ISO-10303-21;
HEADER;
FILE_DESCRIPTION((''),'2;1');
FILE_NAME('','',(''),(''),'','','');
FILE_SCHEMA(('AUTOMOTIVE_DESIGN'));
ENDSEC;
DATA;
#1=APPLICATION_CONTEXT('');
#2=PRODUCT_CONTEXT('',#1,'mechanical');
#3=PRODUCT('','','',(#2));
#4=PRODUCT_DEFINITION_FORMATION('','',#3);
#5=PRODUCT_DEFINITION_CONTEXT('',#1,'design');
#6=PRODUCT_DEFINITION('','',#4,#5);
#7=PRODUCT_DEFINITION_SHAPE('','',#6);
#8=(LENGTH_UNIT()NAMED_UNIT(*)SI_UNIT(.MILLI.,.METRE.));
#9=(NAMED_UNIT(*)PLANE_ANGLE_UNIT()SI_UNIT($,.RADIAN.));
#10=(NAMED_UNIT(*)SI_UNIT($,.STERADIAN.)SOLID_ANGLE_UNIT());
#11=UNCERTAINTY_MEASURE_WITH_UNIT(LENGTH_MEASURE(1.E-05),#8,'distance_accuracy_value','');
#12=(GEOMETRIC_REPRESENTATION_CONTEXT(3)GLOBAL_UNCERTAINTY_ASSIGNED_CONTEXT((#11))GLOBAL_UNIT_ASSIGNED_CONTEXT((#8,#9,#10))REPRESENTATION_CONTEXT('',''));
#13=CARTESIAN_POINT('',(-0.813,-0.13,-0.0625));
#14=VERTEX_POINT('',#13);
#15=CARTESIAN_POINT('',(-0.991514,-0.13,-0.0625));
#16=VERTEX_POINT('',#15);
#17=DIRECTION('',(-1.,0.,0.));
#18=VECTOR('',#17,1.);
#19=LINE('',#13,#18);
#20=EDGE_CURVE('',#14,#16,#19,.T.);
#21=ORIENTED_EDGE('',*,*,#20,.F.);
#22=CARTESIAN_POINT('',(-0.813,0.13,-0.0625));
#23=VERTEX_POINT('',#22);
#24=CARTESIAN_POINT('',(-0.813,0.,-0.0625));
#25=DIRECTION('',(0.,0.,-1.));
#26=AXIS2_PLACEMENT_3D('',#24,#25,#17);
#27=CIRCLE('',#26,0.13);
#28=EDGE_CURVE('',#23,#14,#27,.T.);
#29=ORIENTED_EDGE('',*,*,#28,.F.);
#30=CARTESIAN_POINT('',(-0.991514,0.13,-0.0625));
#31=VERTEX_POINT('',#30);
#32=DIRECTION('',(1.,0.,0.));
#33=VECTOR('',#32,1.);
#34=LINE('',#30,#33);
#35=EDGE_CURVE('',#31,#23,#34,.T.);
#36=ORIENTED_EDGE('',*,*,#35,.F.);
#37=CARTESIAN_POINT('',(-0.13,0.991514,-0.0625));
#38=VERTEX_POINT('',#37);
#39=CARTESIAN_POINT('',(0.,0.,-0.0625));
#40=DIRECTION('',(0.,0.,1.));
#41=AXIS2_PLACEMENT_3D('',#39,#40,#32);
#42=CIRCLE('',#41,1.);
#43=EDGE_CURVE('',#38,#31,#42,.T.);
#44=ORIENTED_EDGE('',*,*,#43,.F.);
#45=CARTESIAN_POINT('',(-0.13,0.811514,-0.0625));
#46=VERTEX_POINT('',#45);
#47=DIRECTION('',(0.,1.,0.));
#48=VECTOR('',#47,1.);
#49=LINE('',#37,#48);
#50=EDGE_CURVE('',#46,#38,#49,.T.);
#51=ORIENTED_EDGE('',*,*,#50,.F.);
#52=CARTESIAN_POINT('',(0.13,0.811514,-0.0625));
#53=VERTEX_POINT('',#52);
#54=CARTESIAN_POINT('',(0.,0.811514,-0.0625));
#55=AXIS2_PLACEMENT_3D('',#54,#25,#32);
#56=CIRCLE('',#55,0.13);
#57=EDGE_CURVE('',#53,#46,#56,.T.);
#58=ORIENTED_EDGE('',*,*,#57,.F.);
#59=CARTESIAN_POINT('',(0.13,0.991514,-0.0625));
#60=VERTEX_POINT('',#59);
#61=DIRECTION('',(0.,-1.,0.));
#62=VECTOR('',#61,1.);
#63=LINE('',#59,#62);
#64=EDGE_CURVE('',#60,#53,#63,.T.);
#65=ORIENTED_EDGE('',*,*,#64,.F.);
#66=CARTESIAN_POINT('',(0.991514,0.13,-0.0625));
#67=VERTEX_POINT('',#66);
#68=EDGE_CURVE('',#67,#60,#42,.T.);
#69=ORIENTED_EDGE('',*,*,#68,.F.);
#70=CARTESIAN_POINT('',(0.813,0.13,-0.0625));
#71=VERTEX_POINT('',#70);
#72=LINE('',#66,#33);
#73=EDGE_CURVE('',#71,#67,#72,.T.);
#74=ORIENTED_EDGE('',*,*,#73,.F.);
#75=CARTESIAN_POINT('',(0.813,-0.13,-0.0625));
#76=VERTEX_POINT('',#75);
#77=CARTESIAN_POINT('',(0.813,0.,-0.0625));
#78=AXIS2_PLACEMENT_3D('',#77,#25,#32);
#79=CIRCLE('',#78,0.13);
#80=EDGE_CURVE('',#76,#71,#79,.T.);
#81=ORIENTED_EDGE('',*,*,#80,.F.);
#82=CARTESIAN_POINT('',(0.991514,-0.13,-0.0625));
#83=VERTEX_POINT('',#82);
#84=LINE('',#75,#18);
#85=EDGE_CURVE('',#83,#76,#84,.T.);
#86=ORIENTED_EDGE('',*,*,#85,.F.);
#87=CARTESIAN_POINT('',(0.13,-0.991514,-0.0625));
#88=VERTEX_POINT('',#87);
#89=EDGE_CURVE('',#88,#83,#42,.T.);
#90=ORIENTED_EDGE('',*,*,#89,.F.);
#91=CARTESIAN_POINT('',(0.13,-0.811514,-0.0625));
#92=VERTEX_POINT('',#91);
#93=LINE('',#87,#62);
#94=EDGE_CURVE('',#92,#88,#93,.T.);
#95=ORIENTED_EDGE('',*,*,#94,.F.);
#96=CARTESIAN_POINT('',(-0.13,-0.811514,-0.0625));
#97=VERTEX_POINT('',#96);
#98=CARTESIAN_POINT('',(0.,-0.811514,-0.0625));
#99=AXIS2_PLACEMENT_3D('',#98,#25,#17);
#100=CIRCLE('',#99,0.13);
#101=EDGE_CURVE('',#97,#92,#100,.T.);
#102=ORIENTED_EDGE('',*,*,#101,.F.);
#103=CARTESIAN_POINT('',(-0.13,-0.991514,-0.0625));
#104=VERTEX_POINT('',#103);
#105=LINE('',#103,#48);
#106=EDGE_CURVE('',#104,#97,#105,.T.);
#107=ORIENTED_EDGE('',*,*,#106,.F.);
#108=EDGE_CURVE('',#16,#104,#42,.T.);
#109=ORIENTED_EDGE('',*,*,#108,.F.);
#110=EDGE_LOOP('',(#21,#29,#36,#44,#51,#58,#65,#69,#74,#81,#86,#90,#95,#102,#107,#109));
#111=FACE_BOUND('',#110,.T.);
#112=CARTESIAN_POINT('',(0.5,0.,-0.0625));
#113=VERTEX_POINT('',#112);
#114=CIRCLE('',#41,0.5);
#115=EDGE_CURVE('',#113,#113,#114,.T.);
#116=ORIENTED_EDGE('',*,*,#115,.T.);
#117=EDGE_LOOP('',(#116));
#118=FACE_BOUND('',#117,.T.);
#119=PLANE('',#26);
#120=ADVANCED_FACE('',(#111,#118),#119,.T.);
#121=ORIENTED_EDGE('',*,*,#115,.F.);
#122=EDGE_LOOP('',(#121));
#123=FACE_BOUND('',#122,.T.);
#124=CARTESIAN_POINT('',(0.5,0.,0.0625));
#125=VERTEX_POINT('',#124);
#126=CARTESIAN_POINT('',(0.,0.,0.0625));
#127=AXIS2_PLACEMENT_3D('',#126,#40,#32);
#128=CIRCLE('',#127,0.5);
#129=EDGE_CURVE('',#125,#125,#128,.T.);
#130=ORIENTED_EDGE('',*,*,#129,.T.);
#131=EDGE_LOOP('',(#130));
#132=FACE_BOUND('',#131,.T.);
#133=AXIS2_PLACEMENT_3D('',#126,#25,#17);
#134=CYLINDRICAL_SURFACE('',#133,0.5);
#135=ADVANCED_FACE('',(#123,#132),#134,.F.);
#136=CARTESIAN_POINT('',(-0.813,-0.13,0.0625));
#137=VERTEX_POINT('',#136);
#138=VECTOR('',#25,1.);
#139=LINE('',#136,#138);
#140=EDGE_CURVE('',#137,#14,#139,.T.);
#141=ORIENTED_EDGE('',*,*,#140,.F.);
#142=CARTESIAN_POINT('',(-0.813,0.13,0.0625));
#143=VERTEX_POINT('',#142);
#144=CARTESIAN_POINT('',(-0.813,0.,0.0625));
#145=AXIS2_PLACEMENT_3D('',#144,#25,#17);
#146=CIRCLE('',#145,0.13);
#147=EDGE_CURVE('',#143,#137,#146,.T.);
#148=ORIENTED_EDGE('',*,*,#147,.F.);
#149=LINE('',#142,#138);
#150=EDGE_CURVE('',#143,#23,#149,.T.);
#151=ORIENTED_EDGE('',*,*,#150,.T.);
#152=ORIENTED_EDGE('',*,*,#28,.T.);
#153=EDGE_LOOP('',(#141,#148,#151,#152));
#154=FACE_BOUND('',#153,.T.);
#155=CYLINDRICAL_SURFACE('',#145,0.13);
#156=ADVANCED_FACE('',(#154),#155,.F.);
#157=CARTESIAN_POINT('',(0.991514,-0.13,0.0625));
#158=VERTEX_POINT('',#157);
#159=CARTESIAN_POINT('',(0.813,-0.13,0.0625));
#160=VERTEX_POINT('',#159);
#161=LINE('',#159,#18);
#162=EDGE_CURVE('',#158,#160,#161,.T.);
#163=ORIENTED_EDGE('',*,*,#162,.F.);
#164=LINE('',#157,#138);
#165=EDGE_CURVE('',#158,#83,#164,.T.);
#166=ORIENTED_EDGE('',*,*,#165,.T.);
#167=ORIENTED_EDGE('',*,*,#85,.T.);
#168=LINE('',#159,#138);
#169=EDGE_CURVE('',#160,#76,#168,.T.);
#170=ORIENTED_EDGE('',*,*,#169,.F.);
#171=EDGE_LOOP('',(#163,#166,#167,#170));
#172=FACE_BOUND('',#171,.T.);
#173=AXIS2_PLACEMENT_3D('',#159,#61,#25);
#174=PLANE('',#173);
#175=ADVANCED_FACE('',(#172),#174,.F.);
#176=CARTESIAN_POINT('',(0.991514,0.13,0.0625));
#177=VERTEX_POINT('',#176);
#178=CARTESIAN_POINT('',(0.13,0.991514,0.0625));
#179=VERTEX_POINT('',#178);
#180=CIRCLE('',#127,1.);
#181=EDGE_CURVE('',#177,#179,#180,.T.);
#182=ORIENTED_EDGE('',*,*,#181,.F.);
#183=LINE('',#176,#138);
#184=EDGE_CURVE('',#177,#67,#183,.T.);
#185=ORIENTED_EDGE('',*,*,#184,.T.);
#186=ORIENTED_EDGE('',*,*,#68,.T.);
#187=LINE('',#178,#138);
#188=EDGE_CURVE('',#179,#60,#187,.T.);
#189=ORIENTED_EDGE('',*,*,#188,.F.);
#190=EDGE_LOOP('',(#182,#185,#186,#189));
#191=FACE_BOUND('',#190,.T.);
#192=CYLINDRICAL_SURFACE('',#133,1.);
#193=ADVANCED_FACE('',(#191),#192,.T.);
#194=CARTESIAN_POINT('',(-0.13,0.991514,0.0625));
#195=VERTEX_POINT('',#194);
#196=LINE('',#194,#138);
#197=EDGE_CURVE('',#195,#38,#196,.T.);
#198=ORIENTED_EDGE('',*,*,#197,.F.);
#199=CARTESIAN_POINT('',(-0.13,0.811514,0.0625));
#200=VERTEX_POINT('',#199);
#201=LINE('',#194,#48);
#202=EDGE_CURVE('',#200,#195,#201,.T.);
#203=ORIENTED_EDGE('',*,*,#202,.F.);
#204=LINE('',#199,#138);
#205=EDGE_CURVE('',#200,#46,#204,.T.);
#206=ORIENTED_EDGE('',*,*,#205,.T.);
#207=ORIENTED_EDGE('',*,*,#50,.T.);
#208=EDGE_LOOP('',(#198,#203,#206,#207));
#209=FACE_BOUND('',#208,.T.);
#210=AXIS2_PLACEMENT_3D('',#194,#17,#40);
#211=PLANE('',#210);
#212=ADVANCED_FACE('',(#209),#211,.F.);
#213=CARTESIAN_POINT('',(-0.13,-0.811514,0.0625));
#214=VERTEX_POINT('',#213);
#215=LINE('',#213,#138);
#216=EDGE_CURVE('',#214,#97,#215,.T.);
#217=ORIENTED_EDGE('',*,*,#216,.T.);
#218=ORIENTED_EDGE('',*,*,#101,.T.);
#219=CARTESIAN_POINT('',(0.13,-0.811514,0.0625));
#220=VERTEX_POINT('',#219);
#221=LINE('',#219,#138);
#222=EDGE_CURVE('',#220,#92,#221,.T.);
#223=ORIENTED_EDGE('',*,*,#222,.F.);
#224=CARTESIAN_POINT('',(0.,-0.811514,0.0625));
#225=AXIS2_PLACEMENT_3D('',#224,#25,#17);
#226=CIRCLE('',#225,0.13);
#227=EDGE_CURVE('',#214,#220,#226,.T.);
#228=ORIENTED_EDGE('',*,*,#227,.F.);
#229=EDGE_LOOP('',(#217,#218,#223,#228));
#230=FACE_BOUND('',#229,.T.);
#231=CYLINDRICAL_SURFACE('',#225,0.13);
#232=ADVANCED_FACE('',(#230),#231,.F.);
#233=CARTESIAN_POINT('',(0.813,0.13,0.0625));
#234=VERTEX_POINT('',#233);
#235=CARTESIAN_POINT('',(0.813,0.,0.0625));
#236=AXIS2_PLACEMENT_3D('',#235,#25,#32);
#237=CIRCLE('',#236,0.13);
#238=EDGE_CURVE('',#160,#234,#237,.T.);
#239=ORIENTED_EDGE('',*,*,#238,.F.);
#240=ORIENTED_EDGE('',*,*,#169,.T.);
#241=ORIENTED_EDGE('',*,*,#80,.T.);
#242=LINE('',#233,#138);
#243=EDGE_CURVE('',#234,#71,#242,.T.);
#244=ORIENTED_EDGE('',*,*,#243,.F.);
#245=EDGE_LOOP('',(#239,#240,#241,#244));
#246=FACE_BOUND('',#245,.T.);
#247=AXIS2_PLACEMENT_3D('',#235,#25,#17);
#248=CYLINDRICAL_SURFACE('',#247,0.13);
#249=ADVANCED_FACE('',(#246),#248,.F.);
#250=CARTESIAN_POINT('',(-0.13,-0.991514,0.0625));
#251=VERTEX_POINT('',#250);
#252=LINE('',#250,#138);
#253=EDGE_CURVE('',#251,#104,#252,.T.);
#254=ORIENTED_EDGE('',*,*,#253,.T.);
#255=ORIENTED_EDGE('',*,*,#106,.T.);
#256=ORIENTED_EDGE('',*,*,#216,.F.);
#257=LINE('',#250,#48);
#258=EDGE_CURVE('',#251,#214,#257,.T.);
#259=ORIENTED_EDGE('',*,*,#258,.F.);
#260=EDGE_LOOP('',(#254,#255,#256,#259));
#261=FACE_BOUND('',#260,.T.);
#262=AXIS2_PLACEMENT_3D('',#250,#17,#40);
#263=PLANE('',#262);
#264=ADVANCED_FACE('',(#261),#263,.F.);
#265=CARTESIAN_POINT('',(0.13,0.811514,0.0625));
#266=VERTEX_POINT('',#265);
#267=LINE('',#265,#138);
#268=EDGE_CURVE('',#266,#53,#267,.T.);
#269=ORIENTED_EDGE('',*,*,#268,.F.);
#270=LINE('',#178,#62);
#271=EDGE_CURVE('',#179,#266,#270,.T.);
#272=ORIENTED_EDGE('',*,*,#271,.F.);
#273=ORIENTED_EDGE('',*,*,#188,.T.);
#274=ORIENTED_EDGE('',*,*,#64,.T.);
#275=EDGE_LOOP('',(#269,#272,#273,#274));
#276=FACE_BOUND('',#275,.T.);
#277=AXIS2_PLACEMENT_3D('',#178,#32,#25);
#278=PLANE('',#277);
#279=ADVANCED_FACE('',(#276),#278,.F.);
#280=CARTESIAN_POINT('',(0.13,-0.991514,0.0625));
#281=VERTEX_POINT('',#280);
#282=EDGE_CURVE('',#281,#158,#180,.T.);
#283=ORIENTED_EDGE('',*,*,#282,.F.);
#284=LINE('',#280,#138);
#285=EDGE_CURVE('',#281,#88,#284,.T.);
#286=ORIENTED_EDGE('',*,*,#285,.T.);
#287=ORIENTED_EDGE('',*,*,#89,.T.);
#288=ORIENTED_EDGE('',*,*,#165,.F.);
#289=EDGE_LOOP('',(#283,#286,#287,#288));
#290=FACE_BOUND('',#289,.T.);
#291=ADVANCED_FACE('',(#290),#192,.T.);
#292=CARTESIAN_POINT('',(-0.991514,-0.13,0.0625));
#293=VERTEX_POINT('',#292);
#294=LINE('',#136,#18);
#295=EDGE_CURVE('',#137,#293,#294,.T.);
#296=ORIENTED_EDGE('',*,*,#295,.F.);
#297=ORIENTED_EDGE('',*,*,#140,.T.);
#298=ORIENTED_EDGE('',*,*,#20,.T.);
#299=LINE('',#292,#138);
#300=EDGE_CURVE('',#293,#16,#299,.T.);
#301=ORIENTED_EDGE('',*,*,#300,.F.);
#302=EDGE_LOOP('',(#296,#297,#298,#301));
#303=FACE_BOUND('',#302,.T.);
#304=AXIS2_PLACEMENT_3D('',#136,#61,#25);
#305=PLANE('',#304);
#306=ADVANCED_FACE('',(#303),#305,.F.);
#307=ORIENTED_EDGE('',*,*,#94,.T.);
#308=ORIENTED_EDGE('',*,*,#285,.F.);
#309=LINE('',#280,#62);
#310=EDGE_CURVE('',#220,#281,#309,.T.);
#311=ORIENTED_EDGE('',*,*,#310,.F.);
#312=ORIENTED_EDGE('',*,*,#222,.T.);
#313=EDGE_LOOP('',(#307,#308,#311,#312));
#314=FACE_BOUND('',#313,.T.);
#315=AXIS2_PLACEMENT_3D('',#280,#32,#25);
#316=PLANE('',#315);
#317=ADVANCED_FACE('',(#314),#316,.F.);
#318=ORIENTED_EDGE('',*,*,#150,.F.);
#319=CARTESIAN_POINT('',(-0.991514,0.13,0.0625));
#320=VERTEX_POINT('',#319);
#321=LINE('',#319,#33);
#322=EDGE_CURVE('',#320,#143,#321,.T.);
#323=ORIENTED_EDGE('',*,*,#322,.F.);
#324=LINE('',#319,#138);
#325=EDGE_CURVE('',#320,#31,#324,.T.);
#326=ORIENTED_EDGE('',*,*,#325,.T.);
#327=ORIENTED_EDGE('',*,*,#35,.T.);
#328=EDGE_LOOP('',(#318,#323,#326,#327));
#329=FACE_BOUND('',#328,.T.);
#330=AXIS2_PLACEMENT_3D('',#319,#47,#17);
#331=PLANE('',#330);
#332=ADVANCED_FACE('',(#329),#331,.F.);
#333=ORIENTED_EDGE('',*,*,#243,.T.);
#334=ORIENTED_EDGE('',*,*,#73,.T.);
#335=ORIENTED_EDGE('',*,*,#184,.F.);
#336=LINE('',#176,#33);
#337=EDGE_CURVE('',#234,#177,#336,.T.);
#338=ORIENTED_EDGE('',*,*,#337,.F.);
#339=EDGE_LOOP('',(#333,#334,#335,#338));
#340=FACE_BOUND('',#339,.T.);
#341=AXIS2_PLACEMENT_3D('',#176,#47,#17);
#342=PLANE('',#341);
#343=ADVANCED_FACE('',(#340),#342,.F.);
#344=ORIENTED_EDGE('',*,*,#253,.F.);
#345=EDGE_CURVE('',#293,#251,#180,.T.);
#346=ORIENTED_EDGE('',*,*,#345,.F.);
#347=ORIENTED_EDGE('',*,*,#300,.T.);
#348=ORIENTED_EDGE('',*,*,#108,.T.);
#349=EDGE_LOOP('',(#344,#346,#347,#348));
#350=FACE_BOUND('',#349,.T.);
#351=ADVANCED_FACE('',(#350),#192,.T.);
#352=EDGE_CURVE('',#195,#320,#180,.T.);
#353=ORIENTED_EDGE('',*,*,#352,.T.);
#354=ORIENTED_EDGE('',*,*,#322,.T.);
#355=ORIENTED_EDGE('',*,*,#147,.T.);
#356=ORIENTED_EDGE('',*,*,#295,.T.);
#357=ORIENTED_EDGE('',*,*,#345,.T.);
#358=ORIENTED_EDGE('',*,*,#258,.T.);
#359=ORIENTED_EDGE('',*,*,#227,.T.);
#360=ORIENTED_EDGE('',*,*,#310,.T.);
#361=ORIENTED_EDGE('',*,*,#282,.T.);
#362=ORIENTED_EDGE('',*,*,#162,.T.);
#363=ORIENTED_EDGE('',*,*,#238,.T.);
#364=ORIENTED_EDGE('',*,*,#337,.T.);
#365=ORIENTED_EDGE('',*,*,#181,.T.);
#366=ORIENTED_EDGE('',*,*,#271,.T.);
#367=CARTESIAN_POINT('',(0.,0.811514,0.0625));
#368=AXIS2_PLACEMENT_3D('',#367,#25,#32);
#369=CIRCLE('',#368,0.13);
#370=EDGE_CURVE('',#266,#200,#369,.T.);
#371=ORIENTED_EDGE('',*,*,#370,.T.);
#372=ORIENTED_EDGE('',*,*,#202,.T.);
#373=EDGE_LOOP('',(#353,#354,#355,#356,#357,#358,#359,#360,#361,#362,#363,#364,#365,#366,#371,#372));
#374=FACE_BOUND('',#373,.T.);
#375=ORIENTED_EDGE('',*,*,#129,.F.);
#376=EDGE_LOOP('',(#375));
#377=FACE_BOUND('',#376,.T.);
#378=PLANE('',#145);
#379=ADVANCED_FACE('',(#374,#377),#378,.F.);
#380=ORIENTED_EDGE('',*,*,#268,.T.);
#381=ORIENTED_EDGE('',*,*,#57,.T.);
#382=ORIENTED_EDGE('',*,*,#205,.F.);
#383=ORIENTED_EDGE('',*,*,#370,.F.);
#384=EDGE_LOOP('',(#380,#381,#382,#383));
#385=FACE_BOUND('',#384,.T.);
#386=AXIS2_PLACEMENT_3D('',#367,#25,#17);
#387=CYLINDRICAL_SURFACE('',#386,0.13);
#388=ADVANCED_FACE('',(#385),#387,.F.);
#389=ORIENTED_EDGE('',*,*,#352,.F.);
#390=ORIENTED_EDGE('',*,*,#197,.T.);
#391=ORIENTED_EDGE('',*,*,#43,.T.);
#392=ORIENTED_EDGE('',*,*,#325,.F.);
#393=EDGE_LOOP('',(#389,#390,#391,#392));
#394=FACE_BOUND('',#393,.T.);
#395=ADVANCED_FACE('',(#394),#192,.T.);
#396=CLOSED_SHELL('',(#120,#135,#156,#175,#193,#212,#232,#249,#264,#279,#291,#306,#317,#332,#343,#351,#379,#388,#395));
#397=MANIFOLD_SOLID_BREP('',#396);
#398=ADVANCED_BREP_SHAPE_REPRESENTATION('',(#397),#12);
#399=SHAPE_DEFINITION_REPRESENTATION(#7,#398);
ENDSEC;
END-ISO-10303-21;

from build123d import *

# Parameters (mm, degrees)
SKETCH1_R           = 0.5
BOSS_EXTRUDE1_DEPTH = 0.0625


with BuildPart() as part:
    # Sketch1 → Boss-Extrude1 (new, symmetric)
    with BuildSketch(Plane.XY):
        with BuildLine():
            Line((0.991513994, 0.13), (0.813, 0.13))
            ThreePointArc((0.813, 0.13), (0.683, 0), (0.813, -0.13))
            Line((0.813, -0.13), (0.991513994, -0.13))
            ThreePointArc((0.991513994, -0.13), (0.707106781, -0.707106781), (0.13, -0.991513994))
            Line((0.13, -0.991513994), (0.13, -0.811513994))
            ThreePointArc((0.13, -0.811513994), (0, -0.681513994), (-0.13, -0.811513994))
            Line((-0.13, -0.811513994), (-0.13, -0.991513994))
            ThreePointArc((-0.13, -0.991513994), (-0.707106781, -0.707106781), (-0.991513994, -0.13))
            Line((-0.991513994, -0.13), (-0.813, -0.13))
            ThreePointArc((-0.813, -0.13), (-0.683, 0), (-0.813, 0.13))
            Line((-0.813, 0.13), (-0.991513994, 0.13))
            ThreePointArc((-0.991513994, 0.13), (-0.707106781, 0.707106781), (-0.13, 0.991513994))
            Line((-0.13, 0.991513994), (-0.13, 0.811513994))
            ThreePointArc((-0.13, 0.811513994), (0, 0.681513994), (0.13, 0.811513994))
            Line((0.13, 0.811513994), (0.13, 0.991513994))
            ThreePointArc((0.13, 0.991513994), (0.707106781, 0.707106781), (0.991513994, 0.13))
        make_face()
        Circle(SKETCH1_R, mode=Mode.SUBTRACT)
    extrude(amount=BOSS_EXTRUDE1_DEPTH, both=True)


solid = part.part
